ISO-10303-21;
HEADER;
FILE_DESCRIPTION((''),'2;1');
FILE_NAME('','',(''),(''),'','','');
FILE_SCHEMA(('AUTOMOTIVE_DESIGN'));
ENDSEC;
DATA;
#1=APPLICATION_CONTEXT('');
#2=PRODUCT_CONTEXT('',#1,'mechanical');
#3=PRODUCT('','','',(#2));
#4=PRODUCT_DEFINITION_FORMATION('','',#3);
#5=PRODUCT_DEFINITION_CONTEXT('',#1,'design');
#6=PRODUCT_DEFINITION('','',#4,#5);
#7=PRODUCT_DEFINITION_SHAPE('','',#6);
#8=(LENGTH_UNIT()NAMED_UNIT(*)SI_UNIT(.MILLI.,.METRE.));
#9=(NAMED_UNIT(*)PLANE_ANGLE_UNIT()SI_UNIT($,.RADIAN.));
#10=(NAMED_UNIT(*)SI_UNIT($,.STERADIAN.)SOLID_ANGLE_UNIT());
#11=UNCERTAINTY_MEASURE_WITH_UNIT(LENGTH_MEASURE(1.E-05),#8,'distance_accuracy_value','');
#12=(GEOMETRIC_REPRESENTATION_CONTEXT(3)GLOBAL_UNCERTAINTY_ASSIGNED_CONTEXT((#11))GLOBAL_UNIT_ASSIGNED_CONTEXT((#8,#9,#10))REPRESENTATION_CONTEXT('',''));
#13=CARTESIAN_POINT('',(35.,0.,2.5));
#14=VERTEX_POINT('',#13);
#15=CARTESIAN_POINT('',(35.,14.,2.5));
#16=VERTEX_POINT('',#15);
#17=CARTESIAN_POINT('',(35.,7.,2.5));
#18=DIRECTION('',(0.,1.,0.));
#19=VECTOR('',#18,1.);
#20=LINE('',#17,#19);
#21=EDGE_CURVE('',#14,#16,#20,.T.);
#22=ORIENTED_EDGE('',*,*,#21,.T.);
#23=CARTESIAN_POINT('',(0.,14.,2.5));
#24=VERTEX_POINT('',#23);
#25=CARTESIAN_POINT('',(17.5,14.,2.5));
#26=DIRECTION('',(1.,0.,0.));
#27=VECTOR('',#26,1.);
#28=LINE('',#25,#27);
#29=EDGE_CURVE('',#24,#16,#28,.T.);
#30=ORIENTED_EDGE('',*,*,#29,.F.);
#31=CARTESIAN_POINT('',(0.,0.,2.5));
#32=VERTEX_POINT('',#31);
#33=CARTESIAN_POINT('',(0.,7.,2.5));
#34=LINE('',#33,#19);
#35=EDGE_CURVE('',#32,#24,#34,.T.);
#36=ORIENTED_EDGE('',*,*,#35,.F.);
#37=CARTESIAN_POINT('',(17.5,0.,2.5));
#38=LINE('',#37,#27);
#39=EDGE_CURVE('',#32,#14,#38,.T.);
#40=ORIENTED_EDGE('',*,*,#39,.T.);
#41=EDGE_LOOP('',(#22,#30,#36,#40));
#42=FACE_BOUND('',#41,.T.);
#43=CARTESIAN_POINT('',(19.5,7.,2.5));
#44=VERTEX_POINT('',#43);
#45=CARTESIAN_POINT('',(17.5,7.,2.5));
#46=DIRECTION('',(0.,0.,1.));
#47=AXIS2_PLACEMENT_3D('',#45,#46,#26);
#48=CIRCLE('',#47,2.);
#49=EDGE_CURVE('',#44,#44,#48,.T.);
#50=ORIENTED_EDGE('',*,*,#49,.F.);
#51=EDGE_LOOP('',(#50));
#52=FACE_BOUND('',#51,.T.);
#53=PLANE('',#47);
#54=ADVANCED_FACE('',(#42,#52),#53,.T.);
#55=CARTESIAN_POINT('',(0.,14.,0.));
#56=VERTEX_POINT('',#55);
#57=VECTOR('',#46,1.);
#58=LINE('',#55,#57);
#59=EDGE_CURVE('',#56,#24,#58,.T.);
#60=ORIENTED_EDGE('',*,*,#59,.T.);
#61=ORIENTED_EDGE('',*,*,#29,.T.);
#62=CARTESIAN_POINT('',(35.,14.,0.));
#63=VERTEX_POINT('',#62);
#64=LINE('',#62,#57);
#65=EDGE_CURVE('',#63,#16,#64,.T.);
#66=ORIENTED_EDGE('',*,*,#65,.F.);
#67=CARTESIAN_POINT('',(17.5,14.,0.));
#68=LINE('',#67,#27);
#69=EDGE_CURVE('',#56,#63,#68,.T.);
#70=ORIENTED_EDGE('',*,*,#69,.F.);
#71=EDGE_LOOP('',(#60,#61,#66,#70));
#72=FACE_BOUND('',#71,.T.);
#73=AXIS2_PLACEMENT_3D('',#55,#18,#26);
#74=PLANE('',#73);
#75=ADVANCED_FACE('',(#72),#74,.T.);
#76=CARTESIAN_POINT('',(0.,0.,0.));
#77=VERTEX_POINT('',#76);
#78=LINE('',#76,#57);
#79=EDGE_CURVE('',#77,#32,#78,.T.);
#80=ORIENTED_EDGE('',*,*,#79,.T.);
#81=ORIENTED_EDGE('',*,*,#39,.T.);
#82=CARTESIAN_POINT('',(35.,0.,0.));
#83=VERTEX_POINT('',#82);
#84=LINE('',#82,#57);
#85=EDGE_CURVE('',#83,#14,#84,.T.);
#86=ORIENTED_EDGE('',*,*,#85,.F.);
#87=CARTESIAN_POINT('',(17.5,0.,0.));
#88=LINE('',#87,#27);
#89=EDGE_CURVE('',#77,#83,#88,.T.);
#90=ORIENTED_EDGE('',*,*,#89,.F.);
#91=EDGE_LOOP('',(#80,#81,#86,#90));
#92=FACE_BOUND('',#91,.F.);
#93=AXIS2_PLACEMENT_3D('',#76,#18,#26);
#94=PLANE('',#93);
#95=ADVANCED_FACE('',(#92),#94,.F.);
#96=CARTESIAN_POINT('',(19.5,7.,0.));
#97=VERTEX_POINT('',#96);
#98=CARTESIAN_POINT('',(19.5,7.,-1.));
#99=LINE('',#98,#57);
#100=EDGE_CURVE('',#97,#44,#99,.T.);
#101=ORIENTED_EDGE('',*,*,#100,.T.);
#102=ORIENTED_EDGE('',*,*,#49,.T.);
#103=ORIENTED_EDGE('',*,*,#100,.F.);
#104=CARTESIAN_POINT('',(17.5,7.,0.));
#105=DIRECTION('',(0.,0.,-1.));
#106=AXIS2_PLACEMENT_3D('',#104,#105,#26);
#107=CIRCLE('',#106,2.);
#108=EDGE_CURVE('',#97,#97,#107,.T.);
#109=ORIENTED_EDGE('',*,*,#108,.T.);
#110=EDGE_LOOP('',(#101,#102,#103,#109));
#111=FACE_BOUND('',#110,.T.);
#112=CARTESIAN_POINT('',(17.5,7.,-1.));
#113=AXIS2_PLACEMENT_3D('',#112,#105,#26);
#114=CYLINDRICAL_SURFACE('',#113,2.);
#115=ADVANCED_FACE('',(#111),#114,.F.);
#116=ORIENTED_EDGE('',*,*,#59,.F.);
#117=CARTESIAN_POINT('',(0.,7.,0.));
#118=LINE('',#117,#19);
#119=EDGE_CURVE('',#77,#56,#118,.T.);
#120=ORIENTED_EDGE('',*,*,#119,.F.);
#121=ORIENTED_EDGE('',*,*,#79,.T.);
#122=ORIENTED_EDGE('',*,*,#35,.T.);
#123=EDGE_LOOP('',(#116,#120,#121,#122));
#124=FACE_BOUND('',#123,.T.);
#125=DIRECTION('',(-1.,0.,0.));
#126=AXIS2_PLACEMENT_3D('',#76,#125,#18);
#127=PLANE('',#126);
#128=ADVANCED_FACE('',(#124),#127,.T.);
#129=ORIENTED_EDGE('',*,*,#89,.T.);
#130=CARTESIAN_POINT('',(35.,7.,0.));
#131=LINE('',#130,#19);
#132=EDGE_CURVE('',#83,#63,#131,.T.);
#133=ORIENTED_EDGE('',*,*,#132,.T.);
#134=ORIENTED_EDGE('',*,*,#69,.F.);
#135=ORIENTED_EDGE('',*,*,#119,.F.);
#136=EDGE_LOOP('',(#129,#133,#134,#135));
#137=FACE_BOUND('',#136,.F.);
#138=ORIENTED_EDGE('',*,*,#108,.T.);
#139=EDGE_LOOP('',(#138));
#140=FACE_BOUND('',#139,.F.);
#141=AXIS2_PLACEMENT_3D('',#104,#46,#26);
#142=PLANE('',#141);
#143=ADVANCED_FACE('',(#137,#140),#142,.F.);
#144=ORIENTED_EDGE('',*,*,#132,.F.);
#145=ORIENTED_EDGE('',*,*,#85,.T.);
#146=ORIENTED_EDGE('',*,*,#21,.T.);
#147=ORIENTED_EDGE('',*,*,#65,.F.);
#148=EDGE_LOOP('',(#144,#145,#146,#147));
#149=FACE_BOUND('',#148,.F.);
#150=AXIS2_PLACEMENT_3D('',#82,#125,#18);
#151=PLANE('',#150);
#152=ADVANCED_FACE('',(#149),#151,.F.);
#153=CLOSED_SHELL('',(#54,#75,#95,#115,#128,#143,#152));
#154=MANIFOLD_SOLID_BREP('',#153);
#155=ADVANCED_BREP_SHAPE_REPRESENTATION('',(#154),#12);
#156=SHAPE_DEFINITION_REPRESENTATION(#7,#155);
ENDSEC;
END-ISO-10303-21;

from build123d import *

# Parameters (mm, degrees)
BOX_W          = 35
BOX_H          = 14
BOX_DEPTH      = 2.5
CYLINDER_R     = 2
CYLINDER_DEPTH = 3.5


with BuildPart() as part:
    # Box → Box (join)
    with BuildSketch(Plane.XY):
        with Locations((17.5, 7)):
            Rectangle(BOX_W, BOX_H)
    extrude(amount=BOX_DEPTH)

    # Cylinder → Cylinder (cut)
    with BuildSketch(Plane(origin=(17.5, 7, -1), x_dir=(1, 0, 0), z_dir=(0, 0, 1))):
        Circle(CYLINDER_R)
    extrude(amount=CYLINDER_DEPTH, mode=Mode.SUBTRACT)


solid = part.part
